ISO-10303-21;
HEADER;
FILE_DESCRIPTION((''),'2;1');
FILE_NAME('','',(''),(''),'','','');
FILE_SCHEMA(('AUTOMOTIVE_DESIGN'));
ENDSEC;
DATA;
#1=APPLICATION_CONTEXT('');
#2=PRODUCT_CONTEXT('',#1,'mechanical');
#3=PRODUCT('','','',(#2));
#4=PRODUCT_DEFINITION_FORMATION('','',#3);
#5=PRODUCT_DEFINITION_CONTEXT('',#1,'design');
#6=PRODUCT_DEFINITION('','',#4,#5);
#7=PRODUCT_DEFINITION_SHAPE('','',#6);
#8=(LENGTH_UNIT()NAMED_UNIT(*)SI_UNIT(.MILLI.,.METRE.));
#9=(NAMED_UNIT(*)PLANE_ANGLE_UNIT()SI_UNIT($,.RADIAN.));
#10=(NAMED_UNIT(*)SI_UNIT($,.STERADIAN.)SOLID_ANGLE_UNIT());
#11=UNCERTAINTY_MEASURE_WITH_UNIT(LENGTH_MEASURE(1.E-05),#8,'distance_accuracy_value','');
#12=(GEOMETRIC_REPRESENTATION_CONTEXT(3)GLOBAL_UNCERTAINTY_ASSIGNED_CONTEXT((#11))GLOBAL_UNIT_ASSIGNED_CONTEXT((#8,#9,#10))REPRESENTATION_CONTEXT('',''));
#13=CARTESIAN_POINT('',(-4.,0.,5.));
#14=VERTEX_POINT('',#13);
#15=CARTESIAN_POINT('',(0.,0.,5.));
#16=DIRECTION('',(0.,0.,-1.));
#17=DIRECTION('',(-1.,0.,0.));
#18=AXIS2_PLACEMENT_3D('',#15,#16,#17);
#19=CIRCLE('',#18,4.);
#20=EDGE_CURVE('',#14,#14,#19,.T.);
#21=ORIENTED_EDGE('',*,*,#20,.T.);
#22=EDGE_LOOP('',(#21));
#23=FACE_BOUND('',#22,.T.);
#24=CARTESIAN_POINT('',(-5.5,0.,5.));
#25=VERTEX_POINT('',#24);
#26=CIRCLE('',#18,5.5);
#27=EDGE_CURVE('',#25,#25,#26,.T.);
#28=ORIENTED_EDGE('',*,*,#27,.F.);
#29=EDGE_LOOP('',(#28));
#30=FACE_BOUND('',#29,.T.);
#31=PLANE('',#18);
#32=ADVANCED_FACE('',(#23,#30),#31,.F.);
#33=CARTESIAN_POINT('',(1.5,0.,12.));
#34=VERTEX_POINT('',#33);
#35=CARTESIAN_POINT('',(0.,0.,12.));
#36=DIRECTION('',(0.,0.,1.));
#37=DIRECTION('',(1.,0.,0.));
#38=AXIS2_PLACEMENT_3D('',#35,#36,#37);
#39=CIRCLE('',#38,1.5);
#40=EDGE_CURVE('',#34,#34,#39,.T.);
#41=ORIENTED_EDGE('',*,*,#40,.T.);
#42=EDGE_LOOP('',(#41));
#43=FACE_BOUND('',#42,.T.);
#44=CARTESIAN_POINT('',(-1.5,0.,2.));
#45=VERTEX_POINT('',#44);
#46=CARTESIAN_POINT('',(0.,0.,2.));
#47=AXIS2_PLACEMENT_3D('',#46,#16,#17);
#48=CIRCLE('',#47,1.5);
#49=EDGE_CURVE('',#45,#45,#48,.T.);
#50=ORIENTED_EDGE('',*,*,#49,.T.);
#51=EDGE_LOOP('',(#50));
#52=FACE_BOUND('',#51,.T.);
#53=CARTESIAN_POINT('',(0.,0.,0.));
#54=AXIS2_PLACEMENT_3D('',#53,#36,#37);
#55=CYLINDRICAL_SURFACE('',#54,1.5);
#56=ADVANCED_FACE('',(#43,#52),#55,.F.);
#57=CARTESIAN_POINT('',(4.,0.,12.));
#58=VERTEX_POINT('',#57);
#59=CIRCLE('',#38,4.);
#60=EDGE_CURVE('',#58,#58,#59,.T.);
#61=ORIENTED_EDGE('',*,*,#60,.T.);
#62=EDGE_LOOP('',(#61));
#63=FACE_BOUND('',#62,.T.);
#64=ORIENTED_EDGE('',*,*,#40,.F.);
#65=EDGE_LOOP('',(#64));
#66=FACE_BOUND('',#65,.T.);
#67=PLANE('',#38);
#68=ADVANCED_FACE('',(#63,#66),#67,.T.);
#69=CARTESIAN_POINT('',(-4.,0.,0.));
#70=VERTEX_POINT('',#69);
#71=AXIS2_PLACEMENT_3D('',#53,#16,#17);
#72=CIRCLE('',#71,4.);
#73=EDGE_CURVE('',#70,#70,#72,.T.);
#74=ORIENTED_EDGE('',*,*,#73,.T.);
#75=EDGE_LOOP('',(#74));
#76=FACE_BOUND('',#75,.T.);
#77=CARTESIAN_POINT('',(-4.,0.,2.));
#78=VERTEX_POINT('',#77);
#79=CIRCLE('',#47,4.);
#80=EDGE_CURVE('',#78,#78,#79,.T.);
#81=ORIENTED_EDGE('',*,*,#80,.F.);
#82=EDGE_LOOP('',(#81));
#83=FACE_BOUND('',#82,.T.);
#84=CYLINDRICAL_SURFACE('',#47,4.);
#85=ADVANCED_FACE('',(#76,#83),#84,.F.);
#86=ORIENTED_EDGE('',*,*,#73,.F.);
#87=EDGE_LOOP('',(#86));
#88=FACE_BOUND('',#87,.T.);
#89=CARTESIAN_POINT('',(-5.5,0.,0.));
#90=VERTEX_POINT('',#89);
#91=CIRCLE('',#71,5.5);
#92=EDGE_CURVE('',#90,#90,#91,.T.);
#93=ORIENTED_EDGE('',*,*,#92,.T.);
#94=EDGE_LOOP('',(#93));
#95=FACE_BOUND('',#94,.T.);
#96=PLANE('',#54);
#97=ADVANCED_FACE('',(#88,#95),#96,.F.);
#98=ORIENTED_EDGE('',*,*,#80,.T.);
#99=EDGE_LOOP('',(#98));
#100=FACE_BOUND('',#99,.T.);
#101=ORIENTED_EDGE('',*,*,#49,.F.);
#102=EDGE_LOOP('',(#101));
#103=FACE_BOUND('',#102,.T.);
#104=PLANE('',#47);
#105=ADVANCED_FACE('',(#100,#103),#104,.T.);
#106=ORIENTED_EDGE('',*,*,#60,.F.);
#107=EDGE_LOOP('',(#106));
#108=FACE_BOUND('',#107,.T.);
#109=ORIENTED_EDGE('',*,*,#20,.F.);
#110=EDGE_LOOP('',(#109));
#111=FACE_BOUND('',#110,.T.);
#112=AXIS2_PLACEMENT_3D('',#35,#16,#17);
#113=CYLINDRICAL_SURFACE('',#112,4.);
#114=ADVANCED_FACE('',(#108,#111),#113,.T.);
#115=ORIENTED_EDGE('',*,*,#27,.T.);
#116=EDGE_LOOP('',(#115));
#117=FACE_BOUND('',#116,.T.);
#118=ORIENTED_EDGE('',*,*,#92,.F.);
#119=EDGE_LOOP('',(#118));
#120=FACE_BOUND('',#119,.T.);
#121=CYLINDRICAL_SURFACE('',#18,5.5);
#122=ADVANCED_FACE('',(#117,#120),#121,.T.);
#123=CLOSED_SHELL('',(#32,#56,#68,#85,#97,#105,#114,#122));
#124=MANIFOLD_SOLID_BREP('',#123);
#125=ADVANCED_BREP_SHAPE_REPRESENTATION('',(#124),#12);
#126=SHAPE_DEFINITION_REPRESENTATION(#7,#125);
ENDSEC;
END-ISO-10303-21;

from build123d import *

# Parameters (mm, degrees)
SKETCH_1_R          = 4
EXTRUDE_1_DEPTH     = 12
SKETCH_2_R          = 5.5
EXTRUDE_2_DEPTH     = 5
SKETCH_3_R          = 4
CUT_EXTRUDE_5_DEPTH = 2
SKETCH_5_R          = 1.5
CUT_EXTRUDE_6_DEPTH = 15.300349646


with BuildPart() as part:
    # 草图1 → 拉伸1 (new body)
    with BuildSketch(Plane.XY):
        Circle(SKETCH_1_R)
    extrude(amount=EXTRUDE_1_DEPTH)

    # 草图2 → 拉伸2 (add)
    with BuildSketch(Plane(origin=(0, 0, 0), x_dir=(-1, 0, 0), z_dir=(0, 0, -1))):
        Circle(SKETCH_2_R)
    extrude(amount=-EXTRUDE_2_DEPTH)

    # 草图3 → 拉伸5 (cut)
    with BuildSketch(Plane(origin=(0, 0, 0), x_dir=(-1, 0, 0), z_dir=(0, 0, -1))):
        Circle(SKETCH_3_R)
    extrude(amount=-CUT_EXTRUDE_5_DEPTH, mode=Mode.SUBTRACT)

    # 草图5 → 拉伸6 (cut, through all)
    with BuildSketch(Plane.XY.offset(12)):
        Circle(SKETCH_5_R)
    extrude(amount=-CUT_EXTRUDE_6_DEPTH, mode=Mode.SUBTRACT)


solid = part.part
